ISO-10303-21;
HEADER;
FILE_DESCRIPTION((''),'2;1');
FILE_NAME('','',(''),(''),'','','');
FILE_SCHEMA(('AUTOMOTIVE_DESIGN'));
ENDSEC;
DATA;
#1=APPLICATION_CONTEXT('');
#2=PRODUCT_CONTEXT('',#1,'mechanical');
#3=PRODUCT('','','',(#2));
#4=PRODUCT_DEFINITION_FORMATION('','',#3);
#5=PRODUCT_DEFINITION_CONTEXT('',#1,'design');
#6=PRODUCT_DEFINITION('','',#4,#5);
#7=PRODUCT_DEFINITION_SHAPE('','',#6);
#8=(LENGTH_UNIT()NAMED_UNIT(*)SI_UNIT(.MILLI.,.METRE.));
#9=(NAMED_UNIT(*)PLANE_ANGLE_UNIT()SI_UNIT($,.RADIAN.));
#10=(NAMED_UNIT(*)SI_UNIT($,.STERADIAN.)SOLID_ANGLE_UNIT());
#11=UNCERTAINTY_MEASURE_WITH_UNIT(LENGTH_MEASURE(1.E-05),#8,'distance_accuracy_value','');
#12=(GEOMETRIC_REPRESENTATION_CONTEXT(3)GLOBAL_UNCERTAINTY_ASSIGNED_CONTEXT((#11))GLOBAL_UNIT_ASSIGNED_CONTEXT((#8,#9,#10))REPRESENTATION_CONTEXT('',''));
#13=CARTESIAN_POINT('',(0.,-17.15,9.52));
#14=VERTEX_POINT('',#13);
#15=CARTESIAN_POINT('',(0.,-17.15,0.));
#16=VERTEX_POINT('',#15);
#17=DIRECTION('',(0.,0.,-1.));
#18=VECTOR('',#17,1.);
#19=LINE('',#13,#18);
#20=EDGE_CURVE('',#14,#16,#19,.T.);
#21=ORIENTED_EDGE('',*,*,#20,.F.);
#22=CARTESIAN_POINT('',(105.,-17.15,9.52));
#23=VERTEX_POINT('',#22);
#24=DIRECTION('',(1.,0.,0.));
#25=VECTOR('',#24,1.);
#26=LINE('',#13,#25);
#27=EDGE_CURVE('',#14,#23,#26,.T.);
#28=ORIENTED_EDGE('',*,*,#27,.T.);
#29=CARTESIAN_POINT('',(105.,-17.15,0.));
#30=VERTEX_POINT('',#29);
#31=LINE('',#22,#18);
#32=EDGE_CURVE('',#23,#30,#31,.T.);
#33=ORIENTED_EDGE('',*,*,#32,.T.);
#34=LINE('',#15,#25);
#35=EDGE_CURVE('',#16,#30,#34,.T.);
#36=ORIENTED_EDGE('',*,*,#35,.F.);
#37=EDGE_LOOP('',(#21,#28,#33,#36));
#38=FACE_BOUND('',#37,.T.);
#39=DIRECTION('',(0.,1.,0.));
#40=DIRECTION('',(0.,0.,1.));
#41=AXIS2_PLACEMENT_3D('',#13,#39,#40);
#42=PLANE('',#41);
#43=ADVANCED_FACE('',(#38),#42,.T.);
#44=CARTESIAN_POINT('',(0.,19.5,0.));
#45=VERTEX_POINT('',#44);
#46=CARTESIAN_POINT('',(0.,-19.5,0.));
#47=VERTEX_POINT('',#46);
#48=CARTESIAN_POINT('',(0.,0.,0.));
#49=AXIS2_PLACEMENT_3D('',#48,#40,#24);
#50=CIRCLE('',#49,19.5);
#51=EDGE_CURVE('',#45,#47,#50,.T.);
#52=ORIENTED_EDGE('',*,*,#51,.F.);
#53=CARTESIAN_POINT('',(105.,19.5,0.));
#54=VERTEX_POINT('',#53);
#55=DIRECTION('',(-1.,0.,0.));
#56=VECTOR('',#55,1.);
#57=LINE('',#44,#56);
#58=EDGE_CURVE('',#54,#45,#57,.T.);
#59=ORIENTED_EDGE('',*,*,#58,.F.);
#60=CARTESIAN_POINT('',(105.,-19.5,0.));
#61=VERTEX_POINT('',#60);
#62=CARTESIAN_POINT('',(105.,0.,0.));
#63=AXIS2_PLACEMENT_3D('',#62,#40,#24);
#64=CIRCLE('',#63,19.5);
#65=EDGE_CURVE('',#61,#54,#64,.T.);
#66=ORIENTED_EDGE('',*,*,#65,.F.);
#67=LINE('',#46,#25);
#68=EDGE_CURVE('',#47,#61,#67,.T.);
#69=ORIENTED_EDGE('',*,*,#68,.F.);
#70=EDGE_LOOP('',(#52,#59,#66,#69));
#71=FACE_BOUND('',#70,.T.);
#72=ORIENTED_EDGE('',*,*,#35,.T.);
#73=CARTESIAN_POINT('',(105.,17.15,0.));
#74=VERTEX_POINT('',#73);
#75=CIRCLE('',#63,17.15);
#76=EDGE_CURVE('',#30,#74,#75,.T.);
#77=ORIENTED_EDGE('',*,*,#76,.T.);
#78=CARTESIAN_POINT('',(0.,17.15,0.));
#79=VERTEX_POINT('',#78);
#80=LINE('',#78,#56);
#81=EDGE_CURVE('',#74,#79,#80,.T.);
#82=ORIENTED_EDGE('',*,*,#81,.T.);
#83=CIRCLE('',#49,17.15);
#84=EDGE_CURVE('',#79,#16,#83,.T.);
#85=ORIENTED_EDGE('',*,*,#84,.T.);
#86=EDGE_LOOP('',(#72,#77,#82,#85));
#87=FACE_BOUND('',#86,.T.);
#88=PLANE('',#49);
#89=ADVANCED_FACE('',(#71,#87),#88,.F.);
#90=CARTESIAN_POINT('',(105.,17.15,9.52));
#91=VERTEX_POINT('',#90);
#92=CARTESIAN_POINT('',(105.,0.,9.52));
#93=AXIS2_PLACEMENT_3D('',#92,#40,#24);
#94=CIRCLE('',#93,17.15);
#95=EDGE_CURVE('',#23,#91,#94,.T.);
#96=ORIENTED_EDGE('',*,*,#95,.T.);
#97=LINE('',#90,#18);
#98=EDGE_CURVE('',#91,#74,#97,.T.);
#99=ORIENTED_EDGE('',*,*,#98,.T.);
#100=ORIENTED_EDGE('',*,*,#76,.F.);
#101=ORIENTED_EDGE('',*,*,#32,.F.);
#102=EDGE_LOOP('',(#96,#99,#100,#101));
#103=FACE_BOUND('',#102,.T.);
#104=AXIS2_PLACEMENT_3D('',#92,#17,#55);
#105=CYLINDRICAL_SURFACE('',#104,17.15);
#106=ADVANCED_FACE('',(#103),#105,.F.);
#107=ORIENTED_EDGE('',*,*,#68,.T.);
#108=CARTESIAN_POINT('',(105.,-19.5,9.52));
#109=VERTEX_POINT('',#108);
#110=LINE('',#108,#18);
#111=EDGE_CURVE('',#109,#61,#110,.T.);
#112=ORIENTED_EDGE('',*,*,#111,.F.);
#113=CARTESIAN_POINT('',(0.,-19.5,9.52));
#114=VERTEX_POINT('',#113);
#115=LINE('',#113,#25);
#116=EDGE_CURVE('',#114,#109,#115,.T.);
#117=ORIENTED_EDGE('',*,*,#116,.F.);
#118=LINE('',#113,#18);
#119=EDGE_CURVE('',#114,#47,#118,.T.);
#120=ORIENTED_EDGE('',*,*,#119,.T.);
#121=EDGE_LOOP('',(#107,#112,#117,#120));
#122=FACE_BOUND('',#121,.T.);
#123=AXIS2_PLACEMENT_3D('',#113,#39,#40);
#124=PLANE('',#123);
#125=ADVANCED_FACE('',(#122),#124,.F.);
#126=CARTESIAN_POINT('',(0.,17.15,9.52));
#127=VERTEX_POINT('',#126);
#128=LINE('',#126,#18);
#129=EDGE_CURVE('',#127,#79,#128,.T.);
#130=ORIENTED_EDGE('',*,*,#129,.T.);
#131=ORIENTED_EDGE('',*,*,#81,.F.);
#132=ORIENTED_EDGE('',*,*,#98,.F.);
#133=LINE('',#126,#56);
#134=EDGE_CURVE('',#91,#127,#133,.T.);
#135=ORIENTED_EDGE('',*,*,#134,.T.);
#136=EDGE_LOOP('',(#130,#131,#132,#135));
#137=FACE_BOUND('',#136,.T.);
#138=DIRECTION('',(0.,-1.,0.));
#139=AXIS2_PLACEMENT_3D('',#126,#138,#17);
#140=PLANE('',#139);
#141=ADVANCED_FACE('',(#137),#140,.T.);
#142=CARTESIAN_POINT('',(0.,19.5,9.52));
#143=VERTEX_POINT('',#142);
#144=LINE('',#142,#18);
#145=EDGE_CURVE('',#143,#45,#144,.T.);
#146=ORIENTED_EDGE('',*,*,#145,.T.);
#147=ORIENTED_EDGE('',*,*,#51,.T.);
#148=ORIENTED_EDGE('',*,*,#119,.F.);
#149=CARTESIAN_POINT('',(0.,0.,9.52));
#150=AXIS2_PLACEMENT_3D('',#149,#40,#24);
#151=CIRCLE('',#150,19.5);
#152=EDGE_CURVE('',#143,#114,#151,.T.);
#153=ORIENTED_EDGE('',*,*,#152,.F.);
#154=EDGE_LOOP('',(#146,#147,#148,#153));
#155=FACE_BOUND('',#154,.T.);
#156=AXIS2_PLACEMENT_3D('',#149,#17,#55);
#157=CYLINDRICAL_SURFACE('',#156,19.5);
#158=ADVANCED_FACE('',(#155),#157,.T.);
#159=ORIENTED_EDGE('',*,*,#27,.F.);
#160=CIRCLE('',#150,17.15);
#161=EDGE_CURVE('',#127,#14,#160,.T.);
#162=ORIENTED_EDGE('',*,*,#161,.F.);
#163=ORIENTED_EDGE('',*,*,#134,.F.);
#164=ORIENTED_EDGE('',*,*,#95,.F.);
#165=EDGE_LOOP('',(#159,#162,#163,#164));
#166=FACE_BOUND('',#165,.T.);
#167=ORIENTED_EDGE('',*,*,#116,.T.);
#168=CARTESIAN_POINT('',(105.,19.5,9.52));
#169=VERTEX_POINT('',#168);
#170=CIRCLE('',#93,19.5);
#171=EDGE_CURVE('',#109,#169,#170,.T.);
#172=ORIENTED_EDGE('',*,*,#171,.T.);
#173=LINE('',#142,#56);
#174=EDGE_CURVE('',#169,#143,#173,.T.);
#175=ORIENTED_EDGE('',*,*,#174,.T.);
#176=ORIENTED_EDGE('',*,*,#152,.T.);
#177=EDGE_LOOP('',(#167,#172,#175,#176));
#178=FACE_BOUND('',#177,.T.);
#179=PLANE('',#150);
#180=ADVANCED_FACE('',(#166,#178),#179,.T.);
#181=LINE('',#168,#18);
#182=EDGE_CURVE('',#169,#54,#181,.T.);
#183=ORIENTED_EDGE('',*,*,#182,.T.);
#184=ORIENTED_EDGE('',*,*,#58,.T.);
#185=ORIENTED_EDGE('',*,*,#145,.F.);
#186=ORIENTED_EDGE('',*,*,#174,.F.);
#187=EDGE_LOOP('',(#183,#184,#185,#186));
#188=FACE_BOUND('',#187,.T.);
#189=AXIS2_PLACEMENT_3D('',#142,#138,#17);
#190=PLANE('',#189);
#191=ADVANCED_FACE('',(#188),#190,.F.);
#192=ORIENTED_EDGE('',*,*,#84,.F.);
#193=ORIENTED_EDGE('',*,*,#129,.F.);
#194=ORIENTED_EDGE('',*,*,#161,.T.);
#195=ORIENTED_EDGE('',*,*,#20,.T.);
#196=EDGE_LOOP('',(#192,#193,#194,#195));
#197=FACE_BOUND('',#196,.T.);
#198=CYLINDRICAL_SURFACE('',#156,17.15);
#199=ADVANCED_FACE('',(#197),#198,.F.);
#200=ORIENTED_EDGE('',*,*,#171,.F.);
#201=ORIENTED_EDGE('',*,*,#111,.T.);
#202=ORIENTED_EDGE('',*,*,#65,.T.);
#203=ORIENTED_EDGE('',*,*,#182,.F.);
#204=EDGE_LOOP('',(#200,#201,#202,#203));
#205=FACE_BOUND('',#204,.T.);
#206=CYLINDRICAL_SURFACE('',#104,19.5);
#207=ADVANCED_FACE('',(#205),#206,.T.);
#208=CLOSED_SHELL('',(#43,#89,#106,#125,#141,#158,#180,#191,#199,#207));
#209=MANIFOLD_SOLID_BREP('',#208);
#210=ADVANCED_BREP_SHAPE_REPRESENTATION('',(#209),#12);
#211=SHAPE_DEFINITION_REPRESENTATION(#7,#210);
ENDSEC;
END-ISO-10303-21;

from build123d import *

# Parameters (mm, degrees)
RESSALTO_EXTRUS_O1_DEPTH = 9.52


with BuildPart() as part:
    # Esboço1 → Ressalto-extrusão1 (new body)
    with BuildSketch(Plane.XY):
        with BuildLine():
            Line((0, 19.5), (105, 19.5))
            ThreePointArc((105, 19.5), (124.5, 0), (105, -19.5))
            Line((105, -19.5), (0, -19.5))
            ThreePointArc((0, -19.5), (-19.5, 0), (0, 19.5))
        make_face()
        with BuildLine():
            Line((0, 17.15), (105, 17.15))
            ThreePointArc((105, 17.15), (122.15, 0), (105, -17.15))
            Line((105, -17.15), (0, -17.15))
            ThreePointArc((0, -17.15), (-17.15, 0), (0, 17.15))
        make_face(mode=Mode.SUBTRACT)
    extrude(amount=RESSALTO_EXTRUS_O1_DEPTH)


solid = part.part
